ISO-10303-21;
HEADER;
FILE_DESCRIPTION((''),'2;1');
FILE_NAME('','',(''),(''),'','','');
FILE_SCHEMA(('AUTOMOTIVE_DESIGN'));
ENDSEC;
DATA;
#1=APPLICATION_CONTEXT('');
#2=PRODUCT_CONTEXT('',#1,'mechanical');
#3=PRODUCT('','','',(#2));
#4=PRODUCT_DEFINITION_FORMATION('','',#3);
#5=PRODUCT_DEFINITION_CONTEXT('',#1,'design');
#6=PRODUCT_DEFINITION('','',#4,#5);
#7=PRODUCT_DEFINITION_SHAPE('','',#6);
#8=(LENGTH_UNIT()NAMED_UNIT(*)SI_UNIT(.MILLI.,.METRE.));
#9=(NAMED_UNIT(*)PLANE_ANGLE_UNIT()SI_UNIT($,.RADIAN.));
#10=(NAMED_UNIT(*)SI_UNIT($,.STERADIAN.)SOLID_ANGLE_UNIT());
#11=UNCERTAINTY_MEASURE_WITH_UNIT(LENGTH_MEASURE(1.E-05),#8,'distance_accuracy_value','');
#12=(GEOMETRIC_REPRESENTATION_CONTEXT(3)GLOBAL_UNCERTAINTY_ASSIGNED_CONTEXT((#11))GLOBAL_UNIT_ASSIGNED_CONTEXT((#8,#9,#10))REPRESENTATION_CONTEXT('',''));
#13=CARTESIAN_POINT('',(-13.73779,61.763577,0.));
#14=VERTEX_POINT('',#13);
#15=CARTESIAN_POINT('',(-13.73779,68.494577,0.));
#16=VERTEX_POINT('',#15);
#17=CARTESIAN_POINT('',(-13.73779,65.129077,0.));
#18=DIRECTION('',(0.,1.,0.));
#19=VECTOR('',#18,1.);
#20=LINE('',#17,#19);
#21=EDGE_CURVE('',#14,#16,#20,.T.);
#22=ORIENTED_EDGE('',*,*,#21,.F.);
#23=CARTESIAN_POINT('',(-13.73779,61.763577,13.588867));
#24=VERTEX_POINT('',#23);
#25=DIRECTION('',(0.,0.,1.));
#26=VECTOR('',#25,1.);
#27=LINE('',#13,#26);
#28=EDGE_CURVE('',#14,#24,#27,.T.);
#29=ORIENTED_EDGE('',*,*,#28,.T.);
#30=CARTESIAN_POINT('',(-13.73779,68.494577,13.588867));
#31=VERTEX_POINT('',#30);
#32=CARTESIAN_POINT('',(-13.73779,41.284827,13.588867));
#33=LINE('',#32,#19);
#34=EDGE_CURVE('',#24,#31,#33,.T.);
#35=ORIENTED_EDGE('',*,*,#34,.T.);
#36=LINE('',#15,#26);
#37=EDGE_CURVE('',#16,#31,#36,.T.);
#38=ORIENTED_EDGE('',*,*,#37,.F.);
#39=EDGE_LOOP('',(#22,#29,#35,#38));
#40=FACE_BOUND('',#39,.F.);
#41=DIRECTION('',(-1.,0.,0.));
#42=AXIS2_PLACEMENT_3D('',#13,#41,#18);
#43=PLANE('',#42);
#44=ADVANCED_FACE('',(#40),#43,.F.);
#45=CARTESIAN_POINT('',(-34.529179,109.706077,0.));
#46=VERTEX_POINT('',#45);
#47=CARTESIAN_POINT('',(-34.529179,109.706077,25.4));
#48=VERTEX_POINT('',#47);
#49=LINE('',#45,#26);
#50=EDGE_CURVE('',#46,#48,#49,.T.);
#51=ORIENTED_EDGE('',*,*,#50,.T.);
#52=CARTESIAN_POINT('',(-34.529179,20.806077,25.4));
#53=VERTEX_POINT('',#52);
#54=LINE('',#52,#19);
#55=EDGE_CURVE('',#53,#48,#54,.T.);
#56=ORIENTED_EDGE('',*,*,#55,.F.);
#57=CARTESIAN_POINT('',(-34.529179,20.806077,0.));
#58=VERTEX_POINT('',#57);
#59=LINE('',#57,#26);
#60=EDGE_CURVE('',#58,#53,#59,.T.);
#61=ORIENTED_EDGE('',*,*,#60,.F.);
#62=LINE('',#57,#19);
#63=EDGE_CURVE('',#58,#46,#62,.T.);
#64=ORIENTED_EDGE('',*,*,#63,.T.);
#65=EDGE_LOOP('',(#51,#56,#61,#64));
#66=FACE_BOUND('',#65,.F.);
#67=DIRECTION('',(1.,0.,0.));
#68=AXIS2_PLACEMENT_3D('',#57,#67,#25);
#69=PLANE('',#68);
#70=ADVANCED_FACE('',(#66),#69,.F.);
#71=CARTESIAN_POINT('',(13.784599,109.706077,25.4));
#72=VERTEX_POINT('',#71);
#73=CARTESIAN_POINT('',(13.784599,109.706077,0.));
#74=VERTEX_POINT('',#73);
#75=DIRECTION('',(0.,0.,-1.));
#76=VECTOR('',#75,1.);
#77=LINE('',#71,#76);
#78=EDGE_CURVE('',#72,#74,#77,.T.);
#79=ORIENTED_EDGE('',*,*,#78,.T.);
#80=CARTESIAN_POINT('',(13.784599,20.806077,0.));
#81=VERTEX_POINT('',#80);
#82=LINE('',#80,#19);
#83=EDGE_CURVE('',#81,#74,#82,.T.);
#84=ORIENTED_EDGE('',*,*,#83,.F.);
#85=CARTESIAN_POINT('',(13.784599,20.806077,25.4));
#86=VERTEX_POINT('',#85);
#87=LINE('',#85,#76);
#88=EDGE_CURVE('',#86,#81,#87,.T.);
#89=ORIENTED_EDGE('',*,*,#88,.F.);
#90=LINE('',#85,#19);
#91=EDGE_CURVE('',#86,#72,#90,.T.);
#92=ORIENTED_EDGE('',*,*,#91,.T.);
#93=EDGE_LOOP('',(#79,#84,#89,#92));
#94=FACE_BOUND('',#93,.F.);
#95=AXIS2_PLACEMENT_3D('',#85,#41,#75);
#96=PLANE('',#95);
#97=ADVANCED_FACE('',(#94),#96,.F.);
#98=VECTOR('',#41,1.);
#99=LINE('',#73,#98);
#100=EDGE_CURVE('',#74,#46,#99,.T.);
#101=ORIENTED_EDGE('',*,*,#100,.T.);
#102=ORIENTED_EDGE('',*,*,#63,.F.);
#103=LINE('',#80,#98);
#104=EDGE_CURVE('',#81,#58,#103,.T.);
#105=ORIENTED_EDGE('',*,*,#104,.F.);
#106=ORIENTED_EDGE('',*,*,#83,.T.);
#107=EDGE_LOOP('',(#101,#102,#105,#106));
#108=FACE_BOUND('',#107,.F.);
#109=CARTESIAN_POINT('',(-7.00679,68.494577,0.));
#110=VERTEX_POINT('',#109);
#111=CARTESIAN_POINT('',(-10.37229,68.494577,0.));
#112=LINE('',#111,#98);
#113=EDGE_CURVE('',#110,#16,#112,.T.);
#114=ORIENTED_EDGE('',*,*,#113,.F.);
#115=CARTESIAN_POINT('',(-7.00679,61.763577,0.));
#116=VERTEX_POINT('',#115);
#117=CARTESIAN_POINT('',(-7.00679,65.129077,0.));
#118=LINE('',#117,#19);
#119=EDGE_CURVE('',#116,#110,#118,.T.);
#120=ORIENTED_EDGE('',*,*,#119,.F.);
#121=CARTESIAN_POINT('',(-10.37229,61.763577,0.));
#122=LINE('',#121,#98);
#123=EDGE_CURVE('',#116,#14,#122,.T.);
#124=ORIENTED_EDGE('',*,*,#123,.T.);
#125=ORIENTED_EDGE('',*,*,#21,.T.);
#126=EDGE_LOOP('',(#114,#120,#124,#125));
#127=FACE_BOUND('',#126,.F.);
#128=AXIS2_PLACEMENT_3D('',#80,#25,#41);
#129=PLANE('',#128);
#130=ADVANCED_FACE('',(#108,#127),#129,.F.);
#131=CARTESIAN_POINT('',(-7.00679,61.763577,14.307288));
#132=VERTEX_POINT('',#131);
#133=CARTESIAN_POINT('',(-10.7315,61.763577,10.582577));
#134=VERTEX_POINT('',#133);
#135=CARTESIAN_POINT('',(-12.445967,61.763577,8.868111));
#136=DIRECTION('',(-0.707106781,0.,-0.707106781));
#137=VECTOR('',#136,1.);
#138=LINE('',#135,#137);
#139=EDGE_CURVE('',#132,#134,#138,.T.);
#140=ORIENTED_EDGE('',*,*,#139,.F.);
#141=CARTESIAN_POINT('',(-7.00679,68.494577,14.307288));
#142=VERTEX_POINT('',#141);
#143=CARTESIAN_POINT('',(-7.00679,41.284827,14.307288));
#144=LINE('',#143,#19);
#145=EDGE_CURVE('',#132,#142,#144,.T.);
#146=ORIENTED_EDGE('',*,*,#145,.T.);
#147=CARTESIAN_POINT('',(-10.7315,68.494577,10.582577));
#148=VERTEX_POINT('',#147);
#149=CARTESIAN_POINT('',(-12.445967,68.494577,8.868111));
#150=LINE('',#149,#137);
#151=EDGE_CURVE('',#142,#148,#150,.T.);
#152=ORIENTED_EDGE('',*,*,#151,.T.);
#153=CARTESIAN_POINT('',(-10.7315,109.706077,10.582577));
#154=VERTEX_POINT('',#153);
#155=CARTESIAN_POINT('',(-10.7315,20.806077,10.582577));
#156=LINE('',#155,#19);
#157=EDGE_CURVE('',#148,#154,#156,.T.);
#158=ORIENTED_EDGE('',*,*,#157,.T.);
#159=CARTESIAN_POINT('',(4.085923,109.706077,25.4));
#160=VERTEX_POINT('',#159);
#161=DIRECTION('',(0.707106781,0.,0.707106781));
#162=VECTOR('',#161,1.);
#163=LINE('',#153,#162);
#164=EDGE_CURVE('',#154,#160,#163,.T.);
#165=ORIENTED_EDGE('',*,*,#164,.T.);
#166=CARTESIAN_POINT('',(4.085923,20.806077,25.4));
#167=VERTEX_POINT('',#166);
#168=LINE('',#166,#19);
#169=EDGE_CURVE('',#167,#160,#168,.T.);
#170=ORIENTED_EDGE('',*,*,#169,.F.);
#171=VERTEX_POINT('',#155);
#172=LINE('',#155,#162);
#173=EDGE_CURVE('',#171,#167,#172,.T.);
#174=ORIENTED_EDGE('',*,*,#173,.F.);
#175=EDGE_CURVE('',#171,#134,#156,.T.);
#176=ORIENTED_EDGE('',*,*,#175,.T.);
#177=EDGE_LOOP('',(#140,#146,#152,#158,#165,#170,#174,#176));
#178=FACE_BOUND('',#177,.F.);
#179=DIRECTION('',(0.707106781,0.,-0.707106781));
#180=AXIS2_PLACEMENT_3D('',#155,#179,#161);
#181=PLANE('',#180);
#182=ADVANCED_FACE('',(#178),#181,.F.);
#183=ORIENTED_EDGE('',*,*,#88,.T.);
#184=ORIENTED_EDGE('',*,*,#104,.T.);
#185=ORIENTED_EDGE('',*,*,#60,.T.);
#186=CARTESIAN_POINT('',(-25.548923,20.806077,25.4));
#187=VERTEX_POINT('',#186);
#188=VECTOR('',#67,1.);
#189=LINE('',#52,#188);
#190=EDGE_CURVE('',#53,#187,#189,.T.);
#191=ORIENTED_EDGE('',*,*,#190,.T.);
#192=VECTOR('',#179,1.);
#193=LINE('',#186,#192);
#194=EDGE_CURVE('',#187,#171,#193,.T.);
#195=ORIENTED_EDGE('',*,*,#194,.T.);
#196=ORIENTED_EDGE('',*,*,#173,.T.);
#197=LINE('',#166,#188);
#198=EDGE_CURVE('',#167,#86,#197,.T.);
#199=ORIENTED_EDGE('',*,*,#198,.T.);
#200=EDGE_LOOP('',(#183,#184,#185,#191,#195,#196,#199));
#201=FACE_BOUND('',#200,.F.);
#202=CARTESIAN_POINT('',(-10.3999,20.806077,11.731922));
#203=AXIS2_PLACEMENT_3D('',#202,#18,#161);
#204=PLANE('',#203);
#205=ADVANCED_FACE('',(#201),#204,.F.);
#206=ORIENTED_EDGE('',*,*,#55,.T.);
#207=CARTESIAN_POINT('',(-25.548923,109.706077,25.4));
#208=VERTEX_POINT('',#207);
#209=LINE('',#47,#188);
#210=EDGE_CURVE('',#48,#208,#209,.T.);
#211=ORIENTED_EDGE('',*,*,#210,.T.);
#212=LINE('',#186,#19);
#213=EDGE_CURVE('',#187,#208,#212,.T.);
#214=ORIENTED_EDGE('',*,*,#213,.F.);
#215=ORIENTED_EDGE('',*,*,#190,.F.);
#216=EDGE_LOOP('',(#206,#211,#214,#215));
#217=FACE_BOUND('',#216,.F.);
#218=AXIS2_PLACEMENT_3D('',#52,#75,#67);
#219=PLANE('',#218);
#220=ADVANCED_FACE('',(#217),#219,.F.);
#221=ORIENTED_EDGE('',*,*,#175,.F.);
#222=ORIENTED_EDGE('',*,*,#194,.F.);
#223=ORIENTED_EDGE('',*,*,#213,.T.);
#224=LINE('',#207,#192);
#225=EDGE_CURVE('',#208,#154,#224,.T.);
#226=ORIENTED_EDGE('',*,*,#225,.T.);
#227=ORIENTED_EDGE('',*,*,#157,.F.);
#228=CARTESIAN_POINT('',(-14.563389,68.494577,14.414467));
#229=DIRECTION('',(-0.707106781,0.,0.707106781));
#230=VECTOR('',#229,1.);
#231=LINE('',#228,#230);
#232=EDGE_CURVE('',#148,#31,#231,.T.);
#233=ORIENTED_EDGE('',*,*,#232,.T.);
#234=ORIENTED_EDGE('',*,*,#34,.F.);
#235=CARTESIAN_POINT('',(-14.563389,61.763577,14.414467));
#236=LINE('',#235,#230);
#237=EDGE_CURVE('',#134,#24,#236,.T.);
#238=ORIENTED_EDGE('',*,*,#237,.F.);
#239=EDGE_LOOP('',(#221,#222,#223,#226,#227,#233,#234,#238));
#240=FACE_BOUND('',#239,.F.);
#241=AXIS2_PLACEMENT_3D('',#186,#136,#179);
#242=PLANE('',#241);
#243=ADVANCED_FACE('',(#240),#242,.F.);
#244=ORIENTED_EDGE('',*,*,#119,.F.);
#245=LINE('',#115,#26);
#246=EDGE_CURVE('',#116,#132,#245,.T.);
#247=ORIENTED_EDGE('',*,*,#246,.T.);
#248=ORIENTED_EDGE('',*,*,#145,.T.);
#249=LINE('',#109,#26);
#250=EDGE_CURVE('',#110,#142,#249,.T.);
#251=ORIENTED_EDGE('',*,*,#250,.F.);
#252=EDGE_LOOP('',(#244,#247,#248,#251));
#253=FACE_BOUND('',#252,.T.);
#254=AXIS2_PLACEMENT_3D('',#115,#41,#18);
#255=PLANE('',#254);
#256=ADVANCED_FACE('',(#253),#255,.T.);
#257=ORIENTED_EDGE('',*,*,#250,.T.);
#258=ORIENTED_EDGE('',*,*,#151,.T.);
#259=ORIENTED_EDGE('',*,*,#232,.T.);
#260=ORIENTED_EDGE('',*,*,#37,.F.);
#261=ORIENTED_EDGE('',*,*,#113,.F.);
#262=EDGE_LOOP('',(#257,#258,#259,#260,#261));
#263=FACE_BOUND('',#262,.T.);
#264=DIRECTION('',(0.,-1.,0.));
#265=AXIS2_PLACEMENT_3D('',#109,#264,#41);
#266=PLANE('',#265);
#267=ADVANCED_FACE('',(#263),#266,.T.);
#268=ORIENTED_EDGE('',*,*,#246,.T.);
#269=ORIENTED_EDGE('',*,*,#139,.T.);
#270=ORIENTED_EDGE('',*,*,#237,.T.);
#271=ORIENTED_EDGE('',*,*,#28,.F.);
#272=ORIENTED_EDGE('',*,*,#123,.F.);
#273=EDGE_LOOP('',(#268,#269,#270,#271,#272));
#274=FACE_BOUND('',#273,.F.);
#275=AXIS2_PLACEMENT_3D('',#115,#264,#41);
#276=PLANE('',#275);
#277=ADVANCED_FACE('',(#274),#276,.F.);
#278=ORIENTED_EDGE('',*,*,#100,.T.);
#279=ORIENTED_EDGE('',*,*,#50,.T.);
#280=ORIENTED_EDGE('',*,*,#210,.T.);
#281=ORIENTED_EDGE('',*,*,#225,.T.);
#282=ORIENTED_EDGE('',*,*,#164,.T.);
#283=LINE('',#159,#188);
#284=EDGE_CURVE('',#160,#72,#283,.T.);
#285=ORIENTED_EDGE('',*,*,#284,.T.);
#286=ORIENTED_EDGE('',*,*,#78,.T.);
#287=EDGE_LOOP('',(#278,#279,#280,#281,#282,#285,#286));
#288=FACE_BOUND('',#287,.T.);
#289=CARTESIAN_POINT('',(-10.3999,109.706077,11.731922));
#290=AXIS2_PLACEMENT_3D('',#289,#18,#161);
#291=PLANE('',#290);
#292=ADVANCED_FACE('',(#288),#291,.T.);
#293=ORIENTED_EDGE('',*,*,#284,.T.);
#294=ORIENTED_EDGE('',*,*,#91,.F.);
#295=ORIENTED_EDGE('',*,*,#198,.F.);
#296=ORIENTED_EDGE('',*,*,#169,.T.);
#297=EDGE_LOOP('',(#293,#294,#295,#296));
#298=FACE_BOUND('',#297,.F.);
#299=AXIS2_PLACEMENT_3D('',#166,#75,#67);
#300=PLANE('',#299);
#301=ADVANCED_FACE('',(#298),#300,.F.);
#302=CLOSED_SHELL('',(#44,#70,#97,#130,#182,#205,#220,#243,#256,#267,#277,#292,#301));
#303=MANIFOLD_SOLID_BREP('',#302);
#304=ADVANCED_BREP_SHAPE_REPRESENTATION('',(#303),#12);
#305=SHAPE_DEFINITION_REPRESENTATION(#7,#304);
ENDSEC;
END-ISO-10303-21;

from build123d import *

# Parameters (mm, degrees)
F1_DEPTH = 88.9
F2_W     = 6.731
F2_H     = 6.731
F3_DEPTH = 49.5578889657
F4_ANGLE = 45
F5_ANGLE = 90
F6_ANGLE = 90


with BuildPart() as f1:
    # F0 (on Top) → F1 (new body)
    with BuildSketch(Plane.XY):
        Polygon((-10.7315, -10.7315), (-10.7315, 10.2235), (10.2235, 10.2235), (17.0815, 17.0815), (-0.8790122421, 35.0420122421), (-35.0420122421, 0.8790122421), (-17.0815, -17.0815), align=None)
    extrude(amount=F1_DEPTH)

    # F2 (on face) → F3 (cut, through all)
    with BuildSketch(Plane(origin=(-17.9605122421, 17.9605122421, 0), x_dir=(-0.7071067812, -0.7071067812, 0), z_dir=(-0.7071067812, 0.7071067812, 0))):
        with Locations((0, 44.323)):
            Rectangle(F2_W, F2_H)
    extrude(amount=-F3_DEPTH, mode=Mode.SUBTRACT)


with BuildPart() as f1_1:
    # F4: moved
    add(f1.part.rotate(Axis((-10.7315, 10.2235, 20.47875), (0, 0, -1)), F4_ANGLE))


with BuildPart() as f1_2:
    # F5: moved
    add(f1_1.part.rotate(Axis((-10.3722897552, 20.8060774002, 0), (-1, 0, 0)), F5_ANGLE))


with BuildPart() as f6_1:
    # F6: copy of F1
    add(f1_2.part.rotate(Axis((13.7845992105, 20.8060774002, 12.7), (0, 0, 1)), F6_ANGLE))


with BuildPart() as f6_1_1:
    # F7: moved
    add(f6_1.part.moved(Location((19.05, 0, 0))))


solid = f1_2.part
